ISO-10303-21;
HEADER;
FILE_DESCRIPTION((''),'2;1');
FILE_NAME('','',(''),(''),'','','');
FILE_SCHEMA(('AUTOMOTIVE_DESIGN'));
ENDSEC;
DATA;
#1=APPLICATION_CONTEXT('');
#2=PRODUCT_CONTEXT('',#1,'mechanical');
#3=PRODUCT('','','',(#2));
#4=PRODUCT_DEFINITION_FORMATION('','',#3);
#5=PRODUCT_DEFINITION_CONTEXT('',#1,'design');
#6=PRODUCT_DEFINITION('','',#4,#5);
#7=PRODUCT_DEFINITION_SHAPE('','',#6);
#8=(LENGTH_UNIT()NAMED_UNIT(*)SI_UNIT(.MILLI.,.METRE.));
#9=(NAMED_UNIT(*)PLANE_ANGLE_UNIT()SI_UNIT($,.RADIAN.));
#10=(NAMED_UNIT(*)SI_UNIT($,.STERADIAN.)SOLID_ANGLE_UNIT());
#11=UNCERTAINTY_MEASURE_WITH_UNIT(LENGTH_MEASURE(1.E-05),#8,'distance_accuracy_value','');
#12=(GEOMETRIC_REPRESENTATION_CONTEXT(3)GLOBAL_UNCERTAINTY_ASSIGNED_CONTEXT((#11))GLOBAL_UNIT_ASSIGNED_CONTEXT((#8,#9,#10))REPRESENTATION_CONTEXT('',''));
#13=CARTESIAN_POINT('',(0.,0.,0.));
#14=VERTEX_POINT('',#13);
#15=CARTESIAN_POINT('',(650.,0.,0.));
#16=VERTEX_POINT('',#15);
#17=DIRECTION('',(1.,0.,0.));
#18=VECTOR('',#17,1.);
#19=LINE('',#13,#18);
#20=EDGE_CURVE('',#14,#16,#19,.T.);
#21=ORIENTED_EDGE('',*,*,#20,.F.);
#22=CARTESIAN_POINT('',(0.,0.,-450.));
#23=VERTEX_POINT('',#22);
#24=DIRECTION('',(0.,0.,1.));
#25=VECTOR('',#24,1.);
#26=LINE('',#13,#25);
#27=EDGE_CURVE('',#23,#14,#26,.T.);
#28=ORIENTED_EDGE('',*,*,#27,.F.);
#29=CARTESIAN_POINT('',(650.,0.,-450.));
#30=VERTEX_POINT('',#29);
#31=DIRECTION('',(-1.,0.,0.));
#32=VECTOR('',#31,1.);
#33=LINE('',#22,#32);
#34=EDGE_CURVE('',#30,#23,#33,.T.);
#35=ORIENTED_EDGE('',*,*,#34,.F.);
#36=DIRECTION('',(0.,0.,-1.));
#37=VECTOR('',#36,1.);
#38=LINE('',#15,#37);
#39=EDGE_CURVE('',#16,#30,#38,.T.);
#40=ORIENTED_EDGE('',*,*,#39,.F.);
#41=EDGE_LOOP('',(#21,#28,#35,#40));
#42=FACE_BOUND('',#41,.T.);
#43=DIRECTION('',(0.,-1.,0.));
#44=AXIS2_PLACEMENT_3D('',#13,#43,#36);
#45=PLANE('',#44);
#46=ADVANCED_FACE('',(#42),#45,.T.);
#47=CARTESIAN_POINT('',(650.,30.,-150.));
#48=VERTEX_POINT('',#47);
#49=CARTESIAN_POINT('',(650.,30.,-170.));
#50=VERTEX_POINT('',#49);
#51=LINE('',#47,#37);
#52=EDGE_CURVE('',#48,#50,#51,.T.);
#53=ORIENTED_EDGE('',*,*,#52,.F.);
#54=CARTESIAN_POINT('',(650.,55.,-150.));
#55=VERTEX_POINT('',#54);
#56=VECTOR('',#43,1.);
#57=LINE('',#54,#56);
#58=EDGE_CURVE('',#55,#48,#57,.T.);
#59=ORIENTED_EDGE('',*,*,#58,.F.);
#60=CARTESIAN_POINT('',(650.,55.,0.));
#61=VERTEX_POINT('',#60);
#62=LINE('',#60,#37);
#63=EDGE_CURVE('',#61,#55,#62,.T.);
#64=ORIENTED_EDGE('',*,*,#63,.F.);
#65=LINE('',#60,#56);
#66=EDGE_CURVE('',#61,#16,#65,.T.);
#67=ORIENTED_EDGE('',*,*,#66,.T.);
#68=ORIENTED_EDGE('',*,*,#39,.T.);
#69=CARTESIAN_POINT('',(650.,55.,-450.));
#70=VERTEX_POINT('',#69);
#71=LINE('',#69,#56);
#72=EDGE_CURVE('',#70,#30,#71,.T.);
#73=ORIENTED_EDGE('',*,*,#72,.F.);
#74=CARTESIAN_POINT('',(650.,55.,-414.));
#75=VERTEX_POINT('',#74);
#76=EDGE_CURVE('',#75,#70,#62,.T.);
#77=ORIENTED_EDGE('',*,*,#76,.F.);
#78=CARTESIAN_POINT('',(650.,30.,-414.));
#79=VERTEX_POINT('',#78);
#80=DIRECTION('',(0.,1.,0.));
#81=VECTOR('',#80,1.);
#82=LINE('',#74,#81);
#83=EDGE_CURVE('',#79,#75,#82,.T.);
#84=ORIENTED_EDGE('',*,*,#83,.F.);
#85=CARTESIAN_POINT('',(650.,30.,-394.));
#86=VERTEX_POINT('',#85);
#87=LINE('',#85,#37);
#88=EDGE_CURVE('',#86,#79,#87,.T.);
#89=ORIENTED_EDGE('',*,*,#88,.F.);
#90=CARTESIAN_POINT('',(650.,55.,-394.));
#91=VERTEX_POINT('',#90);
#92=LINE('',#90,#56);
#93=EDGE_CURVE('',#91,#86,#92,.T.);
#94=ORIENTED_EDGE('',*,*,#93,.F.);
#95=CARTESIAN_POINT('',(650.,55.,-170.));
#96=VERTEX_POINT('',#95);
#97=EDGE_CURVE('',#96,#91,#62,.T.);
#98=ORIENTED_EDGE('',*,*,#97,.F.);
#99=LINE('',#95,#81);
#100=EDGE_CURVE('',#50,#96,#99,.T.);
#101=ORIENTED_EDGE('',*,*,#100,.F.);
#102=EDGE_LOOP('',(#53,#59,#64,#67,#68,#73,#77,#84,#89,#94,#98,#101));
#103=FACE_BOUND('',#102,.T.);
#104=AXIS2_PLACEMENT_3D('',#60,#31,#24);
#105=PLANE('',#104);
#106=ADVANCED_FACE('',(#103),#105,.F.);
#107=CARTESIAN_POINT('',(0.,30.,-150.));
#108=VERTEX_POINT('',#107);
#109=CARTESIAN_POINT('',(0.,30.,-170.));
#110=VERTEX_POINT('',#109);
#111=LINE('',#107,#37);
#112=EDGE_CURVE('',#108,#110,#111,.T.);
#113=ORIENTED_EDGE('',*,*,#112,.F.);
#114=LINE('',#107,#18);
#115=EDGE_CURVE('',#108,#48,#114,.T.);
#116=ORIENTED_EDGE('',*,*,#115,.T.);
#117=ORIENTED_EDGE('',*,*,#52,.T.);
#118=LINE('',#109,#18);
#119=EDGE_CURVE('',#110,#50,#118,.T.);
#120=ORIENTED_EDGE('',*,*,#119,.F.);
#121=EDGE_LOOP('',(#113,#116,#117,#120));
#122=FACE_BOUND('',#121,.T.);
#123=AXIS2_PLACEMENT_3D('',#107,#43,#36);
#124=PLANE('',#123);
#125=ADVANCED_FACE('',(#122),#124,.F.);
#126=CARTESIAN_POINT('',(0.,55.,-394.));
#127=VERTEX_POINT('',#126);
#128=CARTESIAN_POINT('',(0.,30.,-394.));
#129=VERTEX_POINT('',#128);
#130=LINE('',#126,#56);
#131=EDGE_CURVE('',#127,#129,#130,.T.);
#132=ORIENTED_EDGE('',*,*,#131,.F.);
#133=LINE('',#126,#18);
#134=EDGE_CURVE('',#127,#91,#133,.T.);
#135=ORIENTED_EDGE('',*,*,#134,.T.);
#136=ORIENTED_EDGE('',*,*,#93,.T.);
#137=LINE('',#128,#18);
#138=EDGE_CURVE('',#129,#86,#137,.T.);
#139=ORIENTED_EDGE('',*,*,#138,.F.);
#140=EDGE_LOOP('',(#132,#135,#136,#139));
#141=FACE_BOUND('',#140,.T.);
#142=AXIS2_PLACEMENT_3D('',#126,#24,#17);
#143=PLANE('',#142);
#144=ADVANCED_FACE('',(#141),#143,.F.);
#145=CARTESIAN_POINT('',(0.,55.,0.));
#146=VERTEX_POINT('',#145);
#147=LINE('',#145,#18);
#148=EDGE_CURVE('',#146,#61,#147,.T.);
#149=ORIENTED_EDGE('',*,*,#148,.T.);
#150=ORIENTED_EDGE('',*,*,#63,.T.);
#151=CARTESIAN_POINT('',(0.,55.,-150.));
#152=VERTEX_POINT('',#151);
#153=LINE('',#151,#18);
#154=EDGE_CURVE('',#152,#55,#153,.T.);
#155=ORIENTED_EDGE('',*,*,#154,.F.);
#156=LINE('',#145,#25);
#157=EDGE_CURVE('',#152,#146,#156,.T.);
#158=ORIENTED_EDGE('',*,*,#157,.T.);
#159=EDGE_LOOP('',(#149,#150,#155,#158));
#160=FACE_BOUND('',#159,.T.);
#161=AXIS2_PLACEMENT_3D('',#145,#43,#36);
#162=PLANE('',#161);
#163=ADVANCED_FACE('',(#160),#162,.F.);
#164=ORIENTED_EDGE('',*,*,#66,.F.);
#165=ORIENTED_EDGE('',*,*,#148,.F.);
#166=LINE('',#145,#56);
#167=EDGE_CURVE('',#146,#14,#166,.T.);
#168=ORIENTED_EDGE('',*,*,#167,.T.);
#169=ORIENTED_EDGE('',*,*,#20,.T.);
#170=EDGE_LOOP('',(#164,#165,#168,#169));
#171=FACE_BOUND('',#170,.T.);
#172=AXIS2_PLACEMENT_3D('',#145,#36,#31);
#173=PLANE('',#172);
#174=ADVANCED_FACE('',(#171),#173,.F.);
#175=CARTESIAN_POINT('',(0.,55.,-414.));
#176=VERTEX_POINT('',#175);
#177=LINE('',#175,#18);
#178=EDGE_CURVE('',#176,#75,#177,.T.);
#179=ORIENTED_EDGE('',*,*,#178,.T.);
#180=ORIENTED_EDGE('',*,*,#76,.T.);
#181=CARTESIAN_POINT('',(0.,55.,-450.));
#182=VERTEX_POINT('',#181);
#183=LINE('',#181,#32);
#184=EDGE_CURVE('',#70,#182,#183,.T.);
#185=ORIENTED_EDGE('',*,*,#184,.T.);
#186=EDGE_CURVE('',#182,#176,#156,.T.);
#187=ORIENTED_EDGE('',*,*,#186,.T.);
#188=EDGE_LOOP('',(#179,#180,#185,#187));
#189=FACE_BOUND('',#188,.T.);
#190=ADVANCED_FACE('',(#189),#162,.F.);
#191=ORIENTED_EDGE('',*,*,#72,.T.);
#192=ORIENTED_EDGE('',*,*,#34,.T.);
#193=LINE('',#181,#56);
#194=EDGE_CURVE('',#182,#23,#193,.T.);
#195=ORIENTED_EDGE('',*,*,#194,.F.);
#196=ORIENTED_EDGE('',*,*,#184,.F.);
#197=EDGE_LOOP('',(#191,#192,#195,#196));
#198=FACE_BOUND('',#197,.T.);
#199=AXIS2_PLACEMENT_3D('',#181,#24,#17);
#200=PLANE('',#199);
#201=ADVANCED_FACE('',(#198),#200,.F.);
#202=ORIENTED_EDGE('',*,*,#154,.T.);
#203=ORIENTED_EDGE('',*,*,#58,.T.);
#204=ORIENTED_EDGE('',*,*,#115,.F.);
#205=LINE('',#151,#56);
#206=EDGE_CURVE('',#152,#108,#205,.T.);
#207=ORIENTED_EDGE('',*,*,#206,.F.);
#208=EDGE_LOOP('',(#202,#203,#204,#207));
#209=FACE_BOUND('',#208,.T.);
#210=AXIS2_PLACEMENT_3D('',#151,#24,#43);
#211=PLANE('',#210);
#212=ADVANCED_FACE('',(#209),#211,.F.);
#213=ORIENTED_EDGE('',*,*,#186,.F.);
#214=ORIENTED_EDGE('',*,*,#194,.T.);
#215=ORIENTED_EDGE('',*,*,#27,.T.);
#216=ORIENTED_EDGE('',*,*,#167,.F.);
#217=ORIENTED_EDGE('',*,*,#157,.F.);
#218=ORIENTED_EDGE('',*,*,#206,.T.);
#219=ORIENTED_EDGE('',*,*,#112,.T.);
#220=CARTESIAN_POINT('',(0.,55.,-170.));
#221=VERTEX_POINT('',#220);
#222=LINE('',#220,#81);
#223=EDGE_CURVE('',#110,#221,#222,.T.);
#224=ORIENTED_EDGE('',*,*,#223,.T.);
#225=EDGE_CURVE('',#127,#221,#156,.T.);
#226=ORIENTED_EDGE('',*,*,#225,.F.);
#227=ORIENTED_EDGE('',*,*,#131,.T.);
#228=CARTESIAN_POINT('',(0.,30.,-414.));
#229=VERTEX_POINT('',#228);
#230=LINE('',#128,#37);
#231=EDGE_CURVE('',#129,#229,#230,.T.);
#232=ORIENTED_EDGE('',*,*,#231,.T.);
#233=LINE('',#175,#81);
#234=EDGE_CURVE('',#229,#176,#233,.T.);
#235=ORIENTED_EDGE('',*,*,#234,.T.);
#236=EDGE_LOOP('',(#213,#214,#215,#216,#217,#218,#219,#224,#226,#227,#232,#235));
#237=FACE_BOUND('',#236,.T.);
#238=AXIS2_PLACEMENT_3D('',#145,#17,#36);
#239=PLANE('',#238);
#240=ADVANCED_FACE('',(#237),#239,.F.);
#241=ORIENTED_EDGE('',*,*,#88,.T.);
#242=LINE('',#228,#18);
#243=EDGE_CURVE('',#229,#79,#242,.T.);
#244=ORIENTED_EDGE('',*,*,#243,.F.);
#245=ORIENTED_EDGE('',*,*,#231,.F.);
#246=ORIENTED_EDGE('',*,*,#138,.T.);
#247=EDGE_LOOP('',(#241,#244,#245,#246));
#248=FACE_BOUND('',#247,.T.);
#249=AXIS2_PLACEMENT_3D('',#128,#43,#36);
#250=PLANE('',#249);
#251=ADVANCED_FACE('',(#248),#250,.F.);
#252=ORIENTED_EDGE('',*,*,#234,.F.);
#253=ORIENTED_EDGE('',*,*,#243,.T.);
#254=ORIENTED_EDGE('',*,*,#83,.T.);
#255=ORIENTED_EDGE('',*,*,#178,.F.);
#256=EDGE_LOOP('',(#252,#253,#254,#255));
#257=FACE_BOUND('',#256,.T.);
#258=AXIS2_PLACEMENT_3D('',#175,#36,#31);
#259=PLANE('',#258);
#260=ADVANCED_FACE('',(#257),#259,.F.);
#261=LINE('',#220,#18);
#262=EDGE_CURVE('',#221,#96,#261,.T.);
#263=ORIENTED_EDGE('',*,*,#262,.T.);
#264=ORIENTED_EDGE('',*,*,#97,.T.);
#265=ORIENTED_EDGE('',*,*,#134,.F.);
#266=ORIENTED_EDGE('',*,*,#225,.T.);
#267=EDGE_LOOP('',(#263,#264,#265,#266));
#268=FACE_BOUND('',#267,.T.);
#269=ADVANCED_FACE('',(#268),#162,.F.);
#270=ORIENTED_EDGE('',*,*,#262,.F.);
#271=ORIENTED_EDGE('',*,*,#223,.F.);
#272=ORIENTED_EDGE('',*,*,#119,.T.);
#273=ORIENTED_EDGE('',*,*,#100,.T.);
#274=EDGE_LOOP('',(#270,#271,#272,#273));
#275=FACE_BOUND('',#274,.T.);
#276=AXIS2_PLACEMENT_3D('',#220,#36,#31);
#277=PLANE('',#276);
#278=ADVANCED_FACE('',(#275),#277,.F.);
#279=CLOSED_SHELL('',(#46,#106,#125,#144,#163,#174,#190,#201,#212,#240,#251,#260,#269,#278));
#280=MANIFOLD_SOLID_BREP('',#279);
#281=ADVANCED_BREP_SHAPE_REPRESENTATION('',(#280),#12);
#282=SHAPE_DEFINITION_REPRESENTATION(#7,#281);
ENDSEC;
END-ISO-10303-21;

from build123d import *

# Parameters (mm, degrees)
SKETCH1_W           = 650
SKETCH1_H           = 450
BOSS_EXTRUDE1_DEPTH = 55
SKETCH2_W           = 20
SKETCH2_H           = 25
CUT_EXTRUDE1_DEPTH  = 793.480283666


with BuildPart() as part:
    # Sketch1 → Boss-Extrude1 (new body)
    with BuildSketch(Plane(origin=(0, 0, 0), x_dir=(1, 0, 0), z_dir=(0, 1, 0))):
        with Locations((325, 225)):
            Rectangle(SKETCH1_W, SKETCH1_H)
    extrude(amount=BOSS_EXTRUDE1_DEPTH)

    # Sketch2 → Cut-Extrude1 (cut, through all)
    with BuildSketch(Plane(origin=(650, 0, 0), x_dir=(0, 0, -1), z_dir=(1, 0, 0))):
        with Locations((404, 42.5)):
            Rectangle(SKETCH2_W, SKETCH2_H)
        with Locations((160, 42.5)):
            Rectangle(SKETCH2_W, SKETCH2_H)
    extrude(amount=-CUT_EXTRUDE1_DEPTH, mode=Mode.SUBTRACT)


solid = part.part
